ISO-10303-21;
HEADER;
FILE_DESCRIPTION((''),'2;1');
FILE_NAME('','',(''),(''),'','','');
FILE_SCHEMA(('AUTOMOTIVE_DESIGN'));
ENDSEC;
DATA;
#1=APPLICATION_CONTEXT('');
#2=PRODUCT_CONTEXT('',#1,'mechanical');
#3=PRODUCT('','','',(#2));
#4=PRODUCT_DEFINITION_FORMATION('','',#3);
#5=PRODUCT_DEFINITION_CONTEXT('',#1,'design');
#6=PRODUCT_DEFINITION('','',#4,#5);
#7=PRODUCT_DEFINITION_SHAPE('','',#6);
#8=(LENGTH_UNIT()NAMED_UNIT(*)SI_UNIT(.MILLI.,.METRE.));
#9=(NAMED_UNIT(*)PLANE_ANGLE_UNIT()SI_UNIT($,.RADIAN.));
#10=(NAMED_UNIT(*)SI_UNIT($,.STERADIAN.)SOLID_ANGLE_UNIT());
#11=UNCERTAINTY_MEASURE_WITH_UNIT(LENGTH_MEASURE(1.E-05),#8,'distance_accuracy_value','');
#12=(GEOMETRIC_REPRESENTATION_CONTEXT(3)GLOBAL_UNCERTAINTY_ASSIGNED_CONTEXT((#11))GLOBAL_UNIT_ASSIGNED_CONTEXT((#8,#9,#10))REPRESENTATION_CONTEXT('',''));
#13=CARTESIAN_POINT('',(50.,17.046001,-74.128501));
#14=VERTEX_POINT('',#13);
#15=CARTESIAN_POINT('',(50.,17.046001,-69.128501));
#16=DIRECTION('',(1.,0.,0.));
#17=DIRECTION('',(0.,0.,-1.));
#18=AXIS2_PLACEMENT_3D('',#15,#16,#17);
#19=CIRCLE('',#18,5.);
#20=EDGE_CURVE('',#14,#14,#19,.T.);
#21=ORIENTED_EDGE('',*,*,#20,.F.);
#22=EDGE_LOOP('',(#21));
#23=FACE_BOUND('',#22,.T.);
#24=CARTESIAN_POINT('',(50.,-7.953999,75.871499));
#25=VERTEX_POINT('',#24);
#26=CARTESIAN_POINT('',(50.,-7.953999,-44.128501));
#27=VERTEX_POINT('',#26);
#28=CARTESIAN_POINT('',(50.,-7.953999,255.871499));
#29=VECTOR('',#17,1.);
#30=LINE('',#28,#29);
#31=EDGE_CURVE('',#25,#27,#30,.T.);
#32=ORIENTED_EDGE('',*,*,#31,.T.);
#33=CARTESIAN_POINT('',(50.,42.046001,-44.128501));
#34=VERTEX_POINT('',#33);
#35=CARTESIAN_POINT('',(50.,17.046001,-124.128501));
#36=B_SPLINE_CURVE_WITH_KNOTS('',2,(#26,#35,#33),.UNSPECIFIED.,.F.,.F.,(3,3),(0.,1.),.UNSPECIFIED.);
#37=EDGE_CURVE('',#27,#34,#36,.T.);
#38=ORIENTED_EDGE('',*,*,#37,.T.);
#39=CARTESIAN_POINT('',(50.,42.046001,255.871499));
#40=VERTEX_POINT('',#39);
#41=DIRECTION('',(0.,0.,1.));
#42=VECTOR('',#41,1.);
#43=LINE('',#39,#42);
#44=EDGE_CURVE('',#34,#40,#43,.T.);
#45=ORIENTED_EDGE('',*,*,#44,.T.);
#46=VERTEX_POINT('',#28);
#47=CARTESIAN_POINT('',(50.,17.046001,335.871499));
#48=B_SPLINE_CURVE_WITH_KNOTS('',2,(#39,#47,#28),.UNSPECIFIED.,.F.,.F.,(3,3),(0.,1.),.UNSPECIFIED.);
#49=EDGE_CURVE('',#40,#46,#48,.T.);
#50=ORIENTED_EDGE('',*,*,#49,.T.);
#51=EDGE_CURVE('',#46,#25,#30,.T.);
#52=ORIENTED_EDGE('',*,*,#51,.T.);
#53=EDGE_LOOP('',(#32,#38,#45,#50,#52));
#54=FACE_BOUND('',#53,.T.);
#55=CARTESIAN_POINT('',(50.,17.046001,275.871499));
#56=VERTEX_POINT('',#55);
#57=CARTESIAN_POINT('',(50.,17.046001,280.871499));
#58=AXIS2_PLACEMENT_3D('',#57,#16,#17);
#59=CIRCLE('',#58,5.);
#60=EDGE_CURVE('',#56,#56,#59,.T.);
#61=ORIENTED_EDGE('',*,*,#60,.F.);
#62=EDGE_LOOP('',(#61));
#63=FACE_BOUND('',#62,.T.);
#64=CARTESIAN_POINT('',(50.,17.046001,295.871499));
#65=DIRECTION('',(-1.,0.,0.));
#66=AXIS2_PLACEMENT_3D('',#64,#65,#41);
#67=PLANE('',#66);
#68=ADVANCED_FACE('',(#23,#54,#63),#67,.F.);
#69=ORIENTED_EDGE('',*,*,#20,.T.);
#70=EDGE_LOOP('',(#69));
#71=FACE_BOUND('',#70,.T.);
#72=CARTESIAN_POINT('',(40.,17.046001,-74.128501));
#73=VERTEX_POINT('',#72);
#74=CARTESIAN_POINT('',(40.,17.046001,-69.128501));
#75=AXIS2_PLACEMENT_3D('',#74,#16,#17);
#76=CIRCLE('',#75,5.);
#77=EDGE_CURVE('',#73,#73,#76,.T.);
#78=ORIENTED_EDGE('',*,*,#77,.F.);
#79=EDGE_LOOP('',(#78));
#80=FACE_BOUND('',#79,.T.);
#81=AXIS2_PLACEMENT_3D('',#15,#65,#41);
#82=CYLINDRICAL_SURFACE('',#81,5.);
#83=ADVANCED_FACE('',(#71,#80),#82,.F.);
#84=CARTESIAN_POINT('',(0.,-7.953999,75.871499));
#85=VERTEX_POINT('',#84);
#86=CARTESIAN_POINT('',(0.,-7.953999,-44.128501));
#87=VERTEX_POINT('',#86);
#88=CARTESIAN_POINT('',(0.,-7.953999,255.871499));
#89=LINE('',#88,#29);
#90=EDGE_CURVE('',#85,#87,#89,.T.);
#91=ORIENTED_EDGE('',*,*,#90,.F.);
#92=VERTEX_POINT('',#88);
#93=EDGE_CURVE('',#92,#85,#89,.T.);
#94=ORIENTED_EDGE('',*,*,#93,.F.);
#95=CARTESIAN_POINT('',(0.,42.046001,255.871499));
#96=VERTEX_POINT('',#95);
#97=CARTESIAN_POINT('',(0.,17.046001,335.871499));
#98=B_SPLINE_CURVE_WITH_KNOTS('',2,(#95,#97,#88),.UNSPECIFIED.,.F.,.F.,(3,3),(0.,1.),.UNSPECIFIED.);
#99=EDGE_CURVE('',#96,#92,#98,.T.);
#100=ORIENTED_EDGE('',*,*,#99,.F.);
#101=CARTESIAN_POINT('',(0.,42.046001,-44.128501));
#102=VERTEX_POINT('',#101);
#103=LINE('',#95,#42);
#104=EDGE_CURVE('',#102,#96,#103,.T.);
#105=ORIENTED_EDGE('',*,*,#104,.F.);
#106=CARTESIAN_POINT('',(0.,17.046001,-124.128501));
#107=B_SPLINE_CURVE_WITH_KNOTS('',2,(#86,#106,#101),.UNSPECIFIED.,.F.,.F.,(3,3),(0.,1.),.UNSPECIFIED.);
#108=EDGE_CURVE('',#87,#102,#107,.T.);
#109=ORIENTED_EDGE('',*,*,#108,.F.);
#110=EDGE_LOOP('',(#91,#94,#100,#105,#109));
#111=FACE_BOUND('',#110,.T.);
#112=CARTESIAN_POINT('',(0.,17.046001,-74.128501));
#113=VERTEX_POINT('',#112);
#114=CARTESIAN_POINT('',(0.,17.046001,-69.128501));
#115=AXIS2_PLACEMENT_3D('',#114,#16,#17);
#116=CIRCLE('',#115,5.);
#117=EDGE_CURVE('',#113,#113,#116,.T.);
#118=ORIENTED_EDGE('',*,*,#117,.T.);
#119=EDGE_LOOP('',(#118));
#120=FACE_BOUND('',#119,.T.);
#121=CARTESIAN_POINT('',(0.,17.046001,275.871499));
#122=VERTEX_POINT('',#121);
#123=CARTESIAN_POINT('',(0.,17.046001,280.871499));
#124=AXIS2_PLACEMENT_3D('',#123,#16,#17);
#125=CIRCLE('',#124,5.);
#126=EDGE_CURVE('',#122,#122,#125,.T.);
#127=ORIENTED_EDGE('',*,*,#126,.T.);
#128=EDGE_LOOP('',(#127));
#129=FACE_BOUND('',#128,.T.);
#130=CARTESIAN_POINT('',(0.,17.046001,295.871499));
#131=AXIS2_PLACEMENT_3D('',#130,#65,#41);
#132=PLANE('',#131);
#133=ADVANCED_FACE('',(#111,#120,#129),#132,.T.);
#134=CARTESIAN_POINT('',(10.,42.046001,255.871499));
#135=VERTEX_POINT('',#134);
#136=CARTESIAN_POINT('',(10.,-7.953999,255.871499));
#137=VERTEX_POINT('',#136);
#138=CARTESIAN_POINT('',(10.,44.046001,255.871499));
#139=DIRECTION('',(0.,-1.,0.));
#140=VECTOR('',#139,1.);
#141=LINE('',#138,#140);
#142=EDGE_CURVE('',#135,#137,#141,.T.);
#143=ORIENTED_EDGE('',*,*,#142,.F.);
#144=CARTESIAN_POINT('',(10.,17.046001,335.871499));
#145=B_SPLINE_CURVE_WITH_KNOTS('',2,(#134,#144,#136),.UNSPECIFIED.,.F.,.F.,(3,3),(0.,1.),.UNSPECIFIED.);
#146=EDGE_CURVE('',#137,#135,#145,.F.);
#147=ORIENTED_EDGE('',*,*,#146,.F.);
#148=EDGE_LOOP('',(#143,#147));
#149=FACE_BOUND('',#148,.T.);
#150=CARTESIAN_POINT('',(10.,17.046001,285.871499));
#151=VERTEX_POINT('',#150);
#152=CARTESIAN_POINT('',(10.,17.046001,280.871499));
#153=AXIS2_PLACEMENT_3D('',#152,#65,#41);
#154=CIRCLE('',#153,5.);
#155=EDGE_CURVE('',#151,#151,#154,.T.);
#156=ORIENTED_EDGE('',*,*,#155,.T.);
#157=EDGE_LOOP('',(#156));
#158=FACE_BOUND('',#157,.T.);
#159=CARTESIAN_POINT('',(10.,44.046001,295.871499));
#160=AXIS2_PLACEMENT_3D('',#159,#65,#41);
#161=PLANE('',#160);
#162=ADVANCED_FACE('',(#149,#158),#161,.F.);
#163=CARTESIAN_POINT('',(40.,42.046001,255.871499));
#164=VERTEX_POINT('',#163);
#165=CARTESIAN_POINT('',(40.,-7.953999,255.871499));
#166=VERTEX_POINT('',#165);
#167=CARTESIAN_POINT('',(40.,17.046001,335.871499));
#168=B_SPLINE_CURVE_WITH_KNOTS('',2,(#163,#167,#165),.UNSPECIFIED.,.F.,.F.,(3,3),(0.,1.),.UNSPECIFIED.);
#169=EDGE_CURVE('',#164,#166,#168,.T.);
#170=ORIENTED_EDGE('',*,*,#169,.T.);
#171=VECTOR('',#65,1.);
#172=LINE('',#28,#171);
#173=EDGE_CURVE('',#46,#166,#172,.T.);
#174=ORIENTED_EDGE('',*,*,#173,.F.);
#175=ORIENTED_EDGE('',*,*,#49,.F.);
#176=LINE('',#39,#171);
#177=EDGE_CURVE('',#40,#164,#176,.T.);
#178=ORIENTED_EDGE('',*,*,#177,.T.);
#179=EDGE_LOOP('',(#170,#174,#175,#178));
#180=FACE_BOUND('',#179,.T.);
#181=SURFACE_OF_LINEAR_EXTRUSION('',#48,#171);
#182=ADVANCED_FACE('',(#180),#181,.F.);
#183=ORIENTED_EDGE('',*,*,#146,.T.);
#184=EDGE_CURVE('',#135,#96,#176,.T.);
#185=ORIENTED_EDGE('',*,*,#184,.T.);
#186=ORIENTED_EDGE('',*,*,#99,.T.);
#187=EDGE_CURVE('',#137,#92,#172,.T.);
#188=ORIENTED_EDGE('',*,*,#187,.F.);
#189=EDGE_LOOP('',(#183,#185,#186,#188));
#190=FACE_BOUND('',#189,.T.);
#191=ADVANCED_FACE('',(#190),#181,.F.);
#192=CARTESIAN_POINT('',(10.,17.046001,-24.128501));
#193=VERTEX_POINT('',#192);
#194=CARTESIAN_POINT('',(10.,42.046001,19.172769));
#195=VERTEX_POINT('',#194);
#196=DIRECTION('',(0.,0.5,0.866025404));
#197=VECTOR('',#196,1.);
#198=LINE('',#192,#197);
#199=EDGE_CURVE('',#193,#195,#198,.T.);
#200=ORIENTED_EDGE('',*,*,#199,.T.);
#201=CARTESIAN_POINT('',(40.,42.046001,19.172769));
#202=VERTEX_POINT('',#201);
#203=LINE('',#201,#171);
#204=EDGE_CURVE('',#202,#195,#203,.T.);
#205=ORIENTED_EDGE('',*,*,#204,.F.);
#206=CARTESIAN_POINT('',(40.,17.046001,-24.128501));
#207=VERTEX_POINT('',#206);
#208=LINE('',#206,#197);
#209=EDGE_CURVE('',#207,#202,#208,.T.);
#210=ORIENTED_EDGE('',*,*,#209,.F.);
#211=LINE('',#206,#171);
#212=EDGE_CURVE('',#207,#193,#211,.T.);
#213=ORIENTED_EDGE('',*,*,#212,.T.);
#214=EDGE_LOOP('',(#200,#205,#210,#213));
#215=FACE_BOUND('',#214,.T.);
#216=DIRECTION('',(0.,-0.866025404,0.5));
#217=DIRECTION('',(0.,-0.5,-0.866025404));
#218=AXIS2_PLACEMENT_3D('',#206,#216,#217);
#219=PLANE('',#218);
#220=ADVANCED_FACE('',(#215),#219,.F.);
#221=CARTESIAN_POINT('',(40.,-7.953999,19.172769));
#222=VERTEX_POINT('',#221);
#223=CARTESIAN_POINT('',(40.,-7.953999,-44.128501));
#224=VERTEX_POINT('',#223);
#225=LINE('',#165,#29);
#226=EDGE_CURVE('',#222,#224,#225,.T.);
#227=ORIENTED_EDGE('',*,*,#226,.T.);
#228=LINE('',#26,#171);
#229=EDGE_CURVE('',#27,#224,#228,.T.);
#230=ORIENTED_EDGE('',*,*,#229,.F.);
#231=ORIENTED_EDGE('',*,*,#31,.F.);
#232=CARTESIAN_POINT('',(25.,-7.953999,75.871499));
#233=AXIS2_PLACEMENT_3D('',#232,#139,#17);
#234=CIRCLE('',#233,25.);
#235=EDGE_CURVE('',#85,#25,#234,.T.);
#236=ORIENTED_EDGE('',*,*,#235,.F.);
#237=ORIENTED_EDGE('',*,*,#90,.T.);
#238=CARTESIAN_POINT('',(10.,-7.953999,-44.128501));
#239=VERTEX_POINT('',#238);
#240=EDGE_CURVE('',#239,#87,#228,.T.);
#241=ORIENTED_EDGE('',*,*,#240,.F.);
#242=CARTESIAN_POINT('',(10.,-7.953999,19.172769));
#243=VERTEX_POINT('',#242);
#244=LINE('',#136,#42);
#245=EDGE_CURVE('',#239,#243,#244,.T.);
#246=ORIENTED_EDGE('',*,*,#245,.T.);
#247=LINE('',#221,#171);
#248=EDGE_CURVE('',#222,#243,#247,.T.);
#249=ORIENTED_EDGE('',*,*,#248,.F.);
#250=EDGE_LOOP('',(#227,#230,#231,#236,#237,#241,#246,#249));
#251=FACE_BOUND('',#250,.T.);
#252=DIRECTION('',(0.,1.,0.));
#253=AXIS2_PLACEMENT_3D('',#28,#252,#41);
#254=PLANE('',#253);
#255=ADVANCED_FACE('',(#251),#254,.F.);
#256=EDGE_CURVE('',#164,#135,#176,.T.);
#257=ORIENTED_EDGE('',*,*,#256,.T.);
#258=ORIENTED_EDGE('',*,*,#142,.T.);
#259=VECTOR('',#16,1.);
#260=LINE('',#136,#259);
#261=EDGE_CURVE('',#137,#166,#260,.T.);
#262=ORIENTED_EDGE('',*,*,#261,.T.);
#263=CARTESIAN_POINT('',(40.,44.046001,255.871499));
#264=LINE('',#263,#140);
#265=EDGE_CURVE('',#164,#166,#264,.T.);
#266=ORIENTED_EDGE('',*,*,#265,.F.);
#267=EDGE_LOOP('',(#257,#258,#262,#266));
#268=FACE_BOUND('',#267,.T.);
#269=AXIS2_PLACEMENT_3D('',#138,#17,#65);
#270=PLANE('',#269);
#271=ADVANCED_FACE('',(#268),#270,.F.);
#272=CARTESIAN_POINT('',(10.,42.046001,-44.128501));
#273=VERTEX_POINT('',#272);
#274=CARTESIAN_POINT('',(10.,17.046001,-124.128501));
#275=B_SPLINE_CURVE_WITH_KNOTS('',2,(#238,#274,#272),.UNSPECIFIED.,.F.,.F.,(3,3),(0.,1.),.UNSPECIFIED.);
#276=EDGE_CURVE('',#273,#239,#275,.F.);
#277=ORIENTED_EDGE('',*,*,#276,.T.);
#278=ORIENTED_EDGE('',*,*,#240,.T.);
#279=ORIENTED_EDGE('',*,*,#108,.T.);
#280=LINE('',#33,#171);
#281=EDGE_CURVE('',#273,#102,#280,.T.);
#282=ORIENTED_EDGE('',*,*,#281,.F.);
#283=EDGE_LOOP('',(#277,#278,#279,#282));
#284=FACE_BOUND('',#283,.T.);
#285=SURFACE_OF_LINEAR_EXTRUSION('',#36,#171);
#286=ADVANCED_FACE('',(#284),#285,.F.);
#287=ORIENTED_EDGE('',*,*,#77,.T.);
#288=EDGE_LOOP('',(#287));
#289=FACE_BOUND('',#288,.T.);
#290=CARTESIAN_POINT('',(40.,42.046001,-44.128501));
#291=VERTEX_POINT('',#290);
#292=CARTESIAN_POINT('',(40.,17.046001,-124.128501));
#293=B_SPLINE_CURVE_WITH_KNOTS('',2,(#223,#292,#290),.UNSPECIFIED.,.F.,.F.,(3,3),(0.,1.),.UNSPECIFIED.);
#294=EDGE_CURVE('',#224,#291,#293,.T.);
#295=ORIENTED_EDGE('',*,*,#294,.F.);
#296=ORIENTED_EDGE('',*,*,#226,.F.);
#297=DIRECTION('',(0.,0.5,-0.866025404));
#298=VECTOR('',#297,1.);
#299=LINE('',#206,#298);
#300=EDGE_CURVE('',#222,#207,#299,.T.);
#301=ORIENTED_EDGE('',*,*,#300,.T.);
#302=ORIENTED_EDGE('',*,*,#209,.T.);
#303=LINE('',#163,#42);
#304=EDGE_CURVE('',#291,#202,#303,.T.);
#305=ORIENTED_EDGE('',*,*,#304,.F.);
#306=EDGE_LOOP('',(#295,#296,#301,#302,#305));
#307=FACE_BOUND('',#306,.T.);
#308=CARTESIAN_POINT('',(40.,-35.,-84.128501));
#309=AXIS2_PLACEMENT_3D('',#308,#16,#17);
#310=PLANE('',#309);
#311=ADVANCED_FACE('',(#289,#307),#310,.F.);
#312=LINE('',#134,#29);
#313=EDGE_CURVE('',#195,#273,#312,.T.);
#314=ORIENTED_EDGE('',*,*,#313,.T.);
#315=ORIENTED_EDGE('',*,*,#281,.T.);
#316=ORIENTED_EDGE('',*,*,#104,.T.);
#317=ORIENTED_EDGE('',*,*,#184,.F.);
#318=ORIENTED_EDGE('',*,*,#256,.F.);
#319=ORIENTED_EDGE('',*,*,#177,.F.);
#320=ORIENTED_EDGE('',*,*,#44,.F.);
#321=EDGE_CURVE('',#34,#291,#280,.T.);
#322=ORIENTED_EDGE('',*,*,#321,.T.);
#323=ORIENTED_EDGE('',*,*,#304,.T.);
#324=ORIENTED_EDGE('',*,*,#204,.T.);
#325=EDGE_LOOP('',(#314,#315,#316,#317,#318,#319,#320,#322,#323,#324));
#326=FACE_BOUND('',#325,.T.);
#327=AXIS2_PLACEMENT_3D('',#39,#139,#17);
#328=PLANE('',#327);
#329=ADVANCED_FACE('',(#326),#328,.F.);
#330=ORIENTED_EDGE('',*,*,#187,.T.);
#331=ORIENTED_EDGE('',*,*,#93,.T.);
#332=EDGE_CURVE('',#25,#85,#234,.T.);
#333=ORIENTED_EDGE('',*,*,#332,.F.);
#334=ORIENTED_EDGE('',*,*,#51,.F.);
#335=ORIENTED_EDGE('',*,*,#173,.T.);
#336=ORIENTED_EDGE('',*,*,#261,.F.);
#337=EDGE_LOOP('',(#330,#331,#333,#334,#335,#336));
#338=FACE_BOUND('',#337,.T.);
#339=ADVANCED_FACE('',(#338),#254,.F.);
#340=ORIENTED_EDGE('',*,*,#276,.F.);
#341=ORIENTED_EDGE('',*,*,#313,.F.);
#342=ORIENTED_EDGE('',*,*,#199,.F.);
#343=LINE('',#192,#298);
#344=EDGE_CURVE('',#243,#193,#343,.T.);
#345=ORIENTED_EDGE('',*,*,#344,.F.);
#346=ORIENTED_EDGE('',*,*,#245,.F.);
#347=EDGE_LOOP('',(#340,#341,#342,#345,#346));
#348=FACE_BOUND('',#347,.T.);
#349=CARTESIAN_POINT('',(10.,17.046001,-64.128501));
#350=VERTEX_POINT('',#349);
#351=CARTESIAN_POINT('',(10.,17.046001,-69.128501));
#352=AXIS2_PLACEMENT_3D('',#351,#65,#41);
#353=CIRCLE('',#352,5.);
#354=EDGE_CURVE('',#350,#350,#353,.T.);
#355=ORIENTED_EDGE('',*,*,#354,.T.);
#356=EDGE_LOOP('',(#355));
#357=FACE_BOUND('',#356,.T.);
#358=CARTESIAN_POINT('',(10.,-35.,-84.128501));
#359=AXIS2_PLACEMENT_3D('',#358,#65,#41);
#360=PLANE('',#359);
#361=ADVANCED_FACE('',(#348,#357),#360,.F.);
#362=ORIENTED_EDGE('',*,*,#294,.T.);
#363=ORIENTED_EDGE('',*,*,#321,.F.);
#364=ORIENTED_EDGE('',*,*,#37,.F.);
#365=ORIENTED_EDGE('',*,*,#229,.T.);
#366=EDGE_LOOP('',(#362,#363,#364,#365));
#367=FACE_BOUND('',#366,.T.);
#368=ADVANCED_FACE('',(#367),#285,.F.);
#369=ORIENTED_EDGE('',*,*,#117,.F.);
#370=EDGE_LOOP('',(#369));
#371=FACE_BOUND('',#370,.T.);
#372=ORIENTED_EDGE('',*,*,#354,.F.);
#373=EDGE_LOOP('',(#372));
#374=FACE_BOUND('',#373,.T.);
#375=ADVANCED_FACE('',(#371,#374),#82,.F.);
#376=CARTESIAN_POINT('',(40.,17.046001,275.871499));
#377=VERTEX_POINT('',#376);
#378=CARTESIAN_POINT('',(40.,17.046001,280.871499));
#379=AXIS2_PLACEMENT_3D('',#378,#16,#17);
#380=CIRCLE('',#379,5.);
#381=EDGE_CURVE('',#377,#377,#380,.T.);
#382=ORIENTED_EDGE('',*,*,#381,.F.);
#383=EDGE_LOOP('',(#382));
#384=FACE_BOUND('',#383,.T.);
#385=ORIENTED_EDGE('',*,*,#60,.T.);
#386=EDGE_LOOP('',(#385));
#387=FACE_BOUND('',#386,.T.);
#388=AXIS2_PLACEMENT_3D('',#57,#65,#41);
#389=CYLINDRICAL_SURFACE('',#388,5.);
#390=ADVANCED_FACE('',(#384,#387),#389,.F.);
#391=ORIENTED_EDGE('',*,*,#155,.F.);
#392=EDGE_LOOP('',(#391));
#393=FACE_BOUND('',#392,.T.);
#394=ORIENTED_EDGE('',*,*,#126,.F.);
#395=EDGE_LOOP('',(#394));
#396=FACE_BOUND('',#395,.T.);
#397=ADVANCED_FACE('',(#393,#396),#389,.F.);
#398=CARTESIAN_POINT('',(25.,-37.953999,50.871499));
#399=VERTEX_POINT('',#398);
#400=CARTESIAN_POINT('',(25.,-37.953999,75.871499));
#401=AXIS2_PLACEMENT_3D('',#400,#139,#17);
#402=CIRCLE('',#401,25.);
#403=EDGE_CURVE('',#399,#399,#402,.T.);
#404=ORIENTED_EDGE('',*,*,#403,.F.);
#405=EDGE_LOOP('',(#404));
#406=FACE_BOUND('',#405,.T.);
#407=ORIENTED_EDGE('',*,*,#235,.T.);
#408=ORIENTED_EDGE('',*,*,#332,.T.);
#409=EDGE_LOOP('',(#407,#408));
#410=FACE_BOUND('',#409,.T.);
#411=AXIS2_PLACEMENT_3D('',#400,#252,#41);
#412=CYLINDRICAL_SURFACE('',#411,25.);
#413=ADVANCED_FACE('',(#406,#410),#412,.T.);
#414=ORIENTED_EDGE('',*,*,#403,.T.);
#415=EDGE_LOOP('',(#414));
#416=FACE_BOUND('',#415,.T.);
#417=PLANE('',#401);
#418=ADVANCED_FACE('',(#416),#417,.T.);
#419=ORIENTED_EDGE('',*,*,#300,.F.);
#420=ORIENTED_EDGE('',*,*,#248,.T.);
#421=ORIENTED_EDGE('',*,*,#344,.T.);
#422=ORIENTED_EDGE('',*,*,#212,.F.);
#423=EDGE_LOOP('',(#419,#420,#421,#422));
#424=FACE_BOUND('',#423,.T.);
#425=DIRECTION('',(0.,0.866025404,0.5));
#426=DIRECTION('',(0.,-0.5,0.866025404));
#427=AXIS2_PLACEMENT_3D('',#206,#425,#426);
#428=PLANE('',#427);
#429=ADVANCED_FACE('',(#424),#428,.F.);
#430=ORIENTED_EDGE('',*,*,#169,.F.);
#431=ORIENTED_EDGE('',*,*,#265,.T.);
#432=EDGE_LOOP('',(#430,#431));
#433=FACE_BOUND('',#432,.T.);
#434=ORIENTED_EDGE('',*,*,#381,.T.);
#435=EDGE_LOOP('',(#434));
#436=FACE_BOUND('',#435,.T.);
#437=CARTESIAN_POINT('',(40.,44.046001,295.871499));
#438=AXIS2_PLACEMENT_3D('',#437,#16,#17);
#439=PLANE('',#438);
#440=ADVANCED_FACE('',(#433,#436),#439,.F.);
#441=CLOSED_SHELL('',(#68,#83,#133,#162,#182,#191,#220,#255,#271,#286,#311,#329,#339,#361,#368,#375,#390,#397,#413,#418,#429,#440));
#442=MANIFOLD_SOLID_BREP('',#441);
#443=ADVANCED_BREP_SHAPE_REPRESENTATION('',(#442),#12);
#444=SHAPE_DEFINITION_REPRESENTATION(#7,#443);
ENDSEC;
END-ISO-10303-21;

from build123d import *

# Parameters (mm, degrees)
SKETCH1_R               = 5
BOSS_EXTRUDE1_DEPTH     = 50
CUT_EXTRUDE1_DEPTH      = 52
CUT_EXTRUDE1_DEPTH_BACK = 35
SKETCH2_W               = 30
SKETCH2_H               = 60
SKETCH3_W               = 30
SKETCH3_H               = 40
CUT_EXTRUDE2_DEPTH      = 52
CUT_EXTRUDE3_START      = -10
CUT_EXTRUDE3_DEPTH      = 30
CUT_EXTRUDE4_START      = -10
CUT_EXTRUDE4_DEPTH      = 30
SKETCH6_R               = 25
BOSS_EXTRUDE2_DEPTH     = 30


with BuildPart() as part:
    # Sketch1 → Boss-Extrude1 (new body)
    with BuildSketch(Plane(origin=(0, 0, 0), x_dir=(0, 0, -1), z_dir=(1, 0, 0))):
        with BuildLine():
            Line((-255.87149894, 42.046001407), (44.12850106, 42.046001407))
            add(Edge.make_bspline(
                [(44.12850106, 42.046001407), (124.12850106, 17.046001407), (44.12850106, -7.953998593)],
                knots=[0, 0, 0, 1, 1, 1], degree=2))
            Line((44.12850106, -7.953998593), (-255.87149894, -7.953998593))
            add(Edge.make_bspline(
                [(-255.87149894, 42.046001407), (-335.87149894, 17.046001407), (-255.87149894, -7.953998593)],
                knots=[0, 0, 0, 1, 1, 1], degree=2))
        make_face()
        with Locations((-280.87149894, 17.046001407)):
            Circle(SKETCH1_R, mode=Mode.SUBTRACT)
        with Locations((69.12850106, 17.046001407)):
            Circle(SKETCH1_R, mode=Mode.SUBTRACT)
    extrude(amount=BOSS_EXTRUDE1_DEPTH)

    # Sketch2 → Cut-Extrude1 (cut, two sides: drawn at the far end of the back side and taken through both)
    with BuildSketch(Plane(origin=(0, 0, 0), x_dir=(1, 0, 0), z_dir=(0, 1, 0)).offset(-CUT_EXTRUDE1_DEPTH_BACK)):
        with Locations((25, 54.12850106)):
            Rectangle(SKETCH2_W, SKETCH2_H)
    extrude(amount=CUT_EXTRUDE1_DEPTH + CUT_EXTRUDE1_DEPTH_BACK, mode=Mode.SUBTRACT)

    # Sketch3 → Cut-Extrude2 (cut)
    with BuildSketch(Plane.XZ.offset(7.953998593)):
        with Locations((25, 275.87149894)):
            Rectangle(SKETCH3_W, SKETCH3_H)
    extrude(amount=-CUT_EXTRUDE2_DEPTH, mode=Mode.SUBTRACT)

    # Sketch4 → Cut-Extrude3 (cut)
    with BuildSketch(Plane.ZY.offset(CUT_EXTRUDE3_START)):
        Polygon((-24.12850106, 17.046001407), (-24.12850106, 42.046001407), (19.172769129, 42.046001407), align=None)
    extrude(amount=-CUT_EXTRUDE3_DEPTH, mode=Mode.SUBTRACT)

    # Sketch5 → Cut-Extrude4 (cut)
    with BuildSketch(Plane.ZY.offset(CUT_EXTRUDE4_START)):
        Polygon((-24.12850106, -7.953998593), (-24.12850106, 17.046001407), (19.172769129, -7.953998593), align=None)
    extrude(amount=-CUT_EXTRUDE4_DEPTH, mode=Mode.SUBTRACT)

    # Sketch6 → Boss-Extrude2 (add)
    with BuildSketch(Plane.XZ.offset(7.953998593)):
        with Locations(Location((25, 75.87149894, 0), (0, 0, 180))):
            Circle(SKETCH6_R)
    extrude(amount=BOSS_EXTRUDE2_DEPTH)


solid = part.part
